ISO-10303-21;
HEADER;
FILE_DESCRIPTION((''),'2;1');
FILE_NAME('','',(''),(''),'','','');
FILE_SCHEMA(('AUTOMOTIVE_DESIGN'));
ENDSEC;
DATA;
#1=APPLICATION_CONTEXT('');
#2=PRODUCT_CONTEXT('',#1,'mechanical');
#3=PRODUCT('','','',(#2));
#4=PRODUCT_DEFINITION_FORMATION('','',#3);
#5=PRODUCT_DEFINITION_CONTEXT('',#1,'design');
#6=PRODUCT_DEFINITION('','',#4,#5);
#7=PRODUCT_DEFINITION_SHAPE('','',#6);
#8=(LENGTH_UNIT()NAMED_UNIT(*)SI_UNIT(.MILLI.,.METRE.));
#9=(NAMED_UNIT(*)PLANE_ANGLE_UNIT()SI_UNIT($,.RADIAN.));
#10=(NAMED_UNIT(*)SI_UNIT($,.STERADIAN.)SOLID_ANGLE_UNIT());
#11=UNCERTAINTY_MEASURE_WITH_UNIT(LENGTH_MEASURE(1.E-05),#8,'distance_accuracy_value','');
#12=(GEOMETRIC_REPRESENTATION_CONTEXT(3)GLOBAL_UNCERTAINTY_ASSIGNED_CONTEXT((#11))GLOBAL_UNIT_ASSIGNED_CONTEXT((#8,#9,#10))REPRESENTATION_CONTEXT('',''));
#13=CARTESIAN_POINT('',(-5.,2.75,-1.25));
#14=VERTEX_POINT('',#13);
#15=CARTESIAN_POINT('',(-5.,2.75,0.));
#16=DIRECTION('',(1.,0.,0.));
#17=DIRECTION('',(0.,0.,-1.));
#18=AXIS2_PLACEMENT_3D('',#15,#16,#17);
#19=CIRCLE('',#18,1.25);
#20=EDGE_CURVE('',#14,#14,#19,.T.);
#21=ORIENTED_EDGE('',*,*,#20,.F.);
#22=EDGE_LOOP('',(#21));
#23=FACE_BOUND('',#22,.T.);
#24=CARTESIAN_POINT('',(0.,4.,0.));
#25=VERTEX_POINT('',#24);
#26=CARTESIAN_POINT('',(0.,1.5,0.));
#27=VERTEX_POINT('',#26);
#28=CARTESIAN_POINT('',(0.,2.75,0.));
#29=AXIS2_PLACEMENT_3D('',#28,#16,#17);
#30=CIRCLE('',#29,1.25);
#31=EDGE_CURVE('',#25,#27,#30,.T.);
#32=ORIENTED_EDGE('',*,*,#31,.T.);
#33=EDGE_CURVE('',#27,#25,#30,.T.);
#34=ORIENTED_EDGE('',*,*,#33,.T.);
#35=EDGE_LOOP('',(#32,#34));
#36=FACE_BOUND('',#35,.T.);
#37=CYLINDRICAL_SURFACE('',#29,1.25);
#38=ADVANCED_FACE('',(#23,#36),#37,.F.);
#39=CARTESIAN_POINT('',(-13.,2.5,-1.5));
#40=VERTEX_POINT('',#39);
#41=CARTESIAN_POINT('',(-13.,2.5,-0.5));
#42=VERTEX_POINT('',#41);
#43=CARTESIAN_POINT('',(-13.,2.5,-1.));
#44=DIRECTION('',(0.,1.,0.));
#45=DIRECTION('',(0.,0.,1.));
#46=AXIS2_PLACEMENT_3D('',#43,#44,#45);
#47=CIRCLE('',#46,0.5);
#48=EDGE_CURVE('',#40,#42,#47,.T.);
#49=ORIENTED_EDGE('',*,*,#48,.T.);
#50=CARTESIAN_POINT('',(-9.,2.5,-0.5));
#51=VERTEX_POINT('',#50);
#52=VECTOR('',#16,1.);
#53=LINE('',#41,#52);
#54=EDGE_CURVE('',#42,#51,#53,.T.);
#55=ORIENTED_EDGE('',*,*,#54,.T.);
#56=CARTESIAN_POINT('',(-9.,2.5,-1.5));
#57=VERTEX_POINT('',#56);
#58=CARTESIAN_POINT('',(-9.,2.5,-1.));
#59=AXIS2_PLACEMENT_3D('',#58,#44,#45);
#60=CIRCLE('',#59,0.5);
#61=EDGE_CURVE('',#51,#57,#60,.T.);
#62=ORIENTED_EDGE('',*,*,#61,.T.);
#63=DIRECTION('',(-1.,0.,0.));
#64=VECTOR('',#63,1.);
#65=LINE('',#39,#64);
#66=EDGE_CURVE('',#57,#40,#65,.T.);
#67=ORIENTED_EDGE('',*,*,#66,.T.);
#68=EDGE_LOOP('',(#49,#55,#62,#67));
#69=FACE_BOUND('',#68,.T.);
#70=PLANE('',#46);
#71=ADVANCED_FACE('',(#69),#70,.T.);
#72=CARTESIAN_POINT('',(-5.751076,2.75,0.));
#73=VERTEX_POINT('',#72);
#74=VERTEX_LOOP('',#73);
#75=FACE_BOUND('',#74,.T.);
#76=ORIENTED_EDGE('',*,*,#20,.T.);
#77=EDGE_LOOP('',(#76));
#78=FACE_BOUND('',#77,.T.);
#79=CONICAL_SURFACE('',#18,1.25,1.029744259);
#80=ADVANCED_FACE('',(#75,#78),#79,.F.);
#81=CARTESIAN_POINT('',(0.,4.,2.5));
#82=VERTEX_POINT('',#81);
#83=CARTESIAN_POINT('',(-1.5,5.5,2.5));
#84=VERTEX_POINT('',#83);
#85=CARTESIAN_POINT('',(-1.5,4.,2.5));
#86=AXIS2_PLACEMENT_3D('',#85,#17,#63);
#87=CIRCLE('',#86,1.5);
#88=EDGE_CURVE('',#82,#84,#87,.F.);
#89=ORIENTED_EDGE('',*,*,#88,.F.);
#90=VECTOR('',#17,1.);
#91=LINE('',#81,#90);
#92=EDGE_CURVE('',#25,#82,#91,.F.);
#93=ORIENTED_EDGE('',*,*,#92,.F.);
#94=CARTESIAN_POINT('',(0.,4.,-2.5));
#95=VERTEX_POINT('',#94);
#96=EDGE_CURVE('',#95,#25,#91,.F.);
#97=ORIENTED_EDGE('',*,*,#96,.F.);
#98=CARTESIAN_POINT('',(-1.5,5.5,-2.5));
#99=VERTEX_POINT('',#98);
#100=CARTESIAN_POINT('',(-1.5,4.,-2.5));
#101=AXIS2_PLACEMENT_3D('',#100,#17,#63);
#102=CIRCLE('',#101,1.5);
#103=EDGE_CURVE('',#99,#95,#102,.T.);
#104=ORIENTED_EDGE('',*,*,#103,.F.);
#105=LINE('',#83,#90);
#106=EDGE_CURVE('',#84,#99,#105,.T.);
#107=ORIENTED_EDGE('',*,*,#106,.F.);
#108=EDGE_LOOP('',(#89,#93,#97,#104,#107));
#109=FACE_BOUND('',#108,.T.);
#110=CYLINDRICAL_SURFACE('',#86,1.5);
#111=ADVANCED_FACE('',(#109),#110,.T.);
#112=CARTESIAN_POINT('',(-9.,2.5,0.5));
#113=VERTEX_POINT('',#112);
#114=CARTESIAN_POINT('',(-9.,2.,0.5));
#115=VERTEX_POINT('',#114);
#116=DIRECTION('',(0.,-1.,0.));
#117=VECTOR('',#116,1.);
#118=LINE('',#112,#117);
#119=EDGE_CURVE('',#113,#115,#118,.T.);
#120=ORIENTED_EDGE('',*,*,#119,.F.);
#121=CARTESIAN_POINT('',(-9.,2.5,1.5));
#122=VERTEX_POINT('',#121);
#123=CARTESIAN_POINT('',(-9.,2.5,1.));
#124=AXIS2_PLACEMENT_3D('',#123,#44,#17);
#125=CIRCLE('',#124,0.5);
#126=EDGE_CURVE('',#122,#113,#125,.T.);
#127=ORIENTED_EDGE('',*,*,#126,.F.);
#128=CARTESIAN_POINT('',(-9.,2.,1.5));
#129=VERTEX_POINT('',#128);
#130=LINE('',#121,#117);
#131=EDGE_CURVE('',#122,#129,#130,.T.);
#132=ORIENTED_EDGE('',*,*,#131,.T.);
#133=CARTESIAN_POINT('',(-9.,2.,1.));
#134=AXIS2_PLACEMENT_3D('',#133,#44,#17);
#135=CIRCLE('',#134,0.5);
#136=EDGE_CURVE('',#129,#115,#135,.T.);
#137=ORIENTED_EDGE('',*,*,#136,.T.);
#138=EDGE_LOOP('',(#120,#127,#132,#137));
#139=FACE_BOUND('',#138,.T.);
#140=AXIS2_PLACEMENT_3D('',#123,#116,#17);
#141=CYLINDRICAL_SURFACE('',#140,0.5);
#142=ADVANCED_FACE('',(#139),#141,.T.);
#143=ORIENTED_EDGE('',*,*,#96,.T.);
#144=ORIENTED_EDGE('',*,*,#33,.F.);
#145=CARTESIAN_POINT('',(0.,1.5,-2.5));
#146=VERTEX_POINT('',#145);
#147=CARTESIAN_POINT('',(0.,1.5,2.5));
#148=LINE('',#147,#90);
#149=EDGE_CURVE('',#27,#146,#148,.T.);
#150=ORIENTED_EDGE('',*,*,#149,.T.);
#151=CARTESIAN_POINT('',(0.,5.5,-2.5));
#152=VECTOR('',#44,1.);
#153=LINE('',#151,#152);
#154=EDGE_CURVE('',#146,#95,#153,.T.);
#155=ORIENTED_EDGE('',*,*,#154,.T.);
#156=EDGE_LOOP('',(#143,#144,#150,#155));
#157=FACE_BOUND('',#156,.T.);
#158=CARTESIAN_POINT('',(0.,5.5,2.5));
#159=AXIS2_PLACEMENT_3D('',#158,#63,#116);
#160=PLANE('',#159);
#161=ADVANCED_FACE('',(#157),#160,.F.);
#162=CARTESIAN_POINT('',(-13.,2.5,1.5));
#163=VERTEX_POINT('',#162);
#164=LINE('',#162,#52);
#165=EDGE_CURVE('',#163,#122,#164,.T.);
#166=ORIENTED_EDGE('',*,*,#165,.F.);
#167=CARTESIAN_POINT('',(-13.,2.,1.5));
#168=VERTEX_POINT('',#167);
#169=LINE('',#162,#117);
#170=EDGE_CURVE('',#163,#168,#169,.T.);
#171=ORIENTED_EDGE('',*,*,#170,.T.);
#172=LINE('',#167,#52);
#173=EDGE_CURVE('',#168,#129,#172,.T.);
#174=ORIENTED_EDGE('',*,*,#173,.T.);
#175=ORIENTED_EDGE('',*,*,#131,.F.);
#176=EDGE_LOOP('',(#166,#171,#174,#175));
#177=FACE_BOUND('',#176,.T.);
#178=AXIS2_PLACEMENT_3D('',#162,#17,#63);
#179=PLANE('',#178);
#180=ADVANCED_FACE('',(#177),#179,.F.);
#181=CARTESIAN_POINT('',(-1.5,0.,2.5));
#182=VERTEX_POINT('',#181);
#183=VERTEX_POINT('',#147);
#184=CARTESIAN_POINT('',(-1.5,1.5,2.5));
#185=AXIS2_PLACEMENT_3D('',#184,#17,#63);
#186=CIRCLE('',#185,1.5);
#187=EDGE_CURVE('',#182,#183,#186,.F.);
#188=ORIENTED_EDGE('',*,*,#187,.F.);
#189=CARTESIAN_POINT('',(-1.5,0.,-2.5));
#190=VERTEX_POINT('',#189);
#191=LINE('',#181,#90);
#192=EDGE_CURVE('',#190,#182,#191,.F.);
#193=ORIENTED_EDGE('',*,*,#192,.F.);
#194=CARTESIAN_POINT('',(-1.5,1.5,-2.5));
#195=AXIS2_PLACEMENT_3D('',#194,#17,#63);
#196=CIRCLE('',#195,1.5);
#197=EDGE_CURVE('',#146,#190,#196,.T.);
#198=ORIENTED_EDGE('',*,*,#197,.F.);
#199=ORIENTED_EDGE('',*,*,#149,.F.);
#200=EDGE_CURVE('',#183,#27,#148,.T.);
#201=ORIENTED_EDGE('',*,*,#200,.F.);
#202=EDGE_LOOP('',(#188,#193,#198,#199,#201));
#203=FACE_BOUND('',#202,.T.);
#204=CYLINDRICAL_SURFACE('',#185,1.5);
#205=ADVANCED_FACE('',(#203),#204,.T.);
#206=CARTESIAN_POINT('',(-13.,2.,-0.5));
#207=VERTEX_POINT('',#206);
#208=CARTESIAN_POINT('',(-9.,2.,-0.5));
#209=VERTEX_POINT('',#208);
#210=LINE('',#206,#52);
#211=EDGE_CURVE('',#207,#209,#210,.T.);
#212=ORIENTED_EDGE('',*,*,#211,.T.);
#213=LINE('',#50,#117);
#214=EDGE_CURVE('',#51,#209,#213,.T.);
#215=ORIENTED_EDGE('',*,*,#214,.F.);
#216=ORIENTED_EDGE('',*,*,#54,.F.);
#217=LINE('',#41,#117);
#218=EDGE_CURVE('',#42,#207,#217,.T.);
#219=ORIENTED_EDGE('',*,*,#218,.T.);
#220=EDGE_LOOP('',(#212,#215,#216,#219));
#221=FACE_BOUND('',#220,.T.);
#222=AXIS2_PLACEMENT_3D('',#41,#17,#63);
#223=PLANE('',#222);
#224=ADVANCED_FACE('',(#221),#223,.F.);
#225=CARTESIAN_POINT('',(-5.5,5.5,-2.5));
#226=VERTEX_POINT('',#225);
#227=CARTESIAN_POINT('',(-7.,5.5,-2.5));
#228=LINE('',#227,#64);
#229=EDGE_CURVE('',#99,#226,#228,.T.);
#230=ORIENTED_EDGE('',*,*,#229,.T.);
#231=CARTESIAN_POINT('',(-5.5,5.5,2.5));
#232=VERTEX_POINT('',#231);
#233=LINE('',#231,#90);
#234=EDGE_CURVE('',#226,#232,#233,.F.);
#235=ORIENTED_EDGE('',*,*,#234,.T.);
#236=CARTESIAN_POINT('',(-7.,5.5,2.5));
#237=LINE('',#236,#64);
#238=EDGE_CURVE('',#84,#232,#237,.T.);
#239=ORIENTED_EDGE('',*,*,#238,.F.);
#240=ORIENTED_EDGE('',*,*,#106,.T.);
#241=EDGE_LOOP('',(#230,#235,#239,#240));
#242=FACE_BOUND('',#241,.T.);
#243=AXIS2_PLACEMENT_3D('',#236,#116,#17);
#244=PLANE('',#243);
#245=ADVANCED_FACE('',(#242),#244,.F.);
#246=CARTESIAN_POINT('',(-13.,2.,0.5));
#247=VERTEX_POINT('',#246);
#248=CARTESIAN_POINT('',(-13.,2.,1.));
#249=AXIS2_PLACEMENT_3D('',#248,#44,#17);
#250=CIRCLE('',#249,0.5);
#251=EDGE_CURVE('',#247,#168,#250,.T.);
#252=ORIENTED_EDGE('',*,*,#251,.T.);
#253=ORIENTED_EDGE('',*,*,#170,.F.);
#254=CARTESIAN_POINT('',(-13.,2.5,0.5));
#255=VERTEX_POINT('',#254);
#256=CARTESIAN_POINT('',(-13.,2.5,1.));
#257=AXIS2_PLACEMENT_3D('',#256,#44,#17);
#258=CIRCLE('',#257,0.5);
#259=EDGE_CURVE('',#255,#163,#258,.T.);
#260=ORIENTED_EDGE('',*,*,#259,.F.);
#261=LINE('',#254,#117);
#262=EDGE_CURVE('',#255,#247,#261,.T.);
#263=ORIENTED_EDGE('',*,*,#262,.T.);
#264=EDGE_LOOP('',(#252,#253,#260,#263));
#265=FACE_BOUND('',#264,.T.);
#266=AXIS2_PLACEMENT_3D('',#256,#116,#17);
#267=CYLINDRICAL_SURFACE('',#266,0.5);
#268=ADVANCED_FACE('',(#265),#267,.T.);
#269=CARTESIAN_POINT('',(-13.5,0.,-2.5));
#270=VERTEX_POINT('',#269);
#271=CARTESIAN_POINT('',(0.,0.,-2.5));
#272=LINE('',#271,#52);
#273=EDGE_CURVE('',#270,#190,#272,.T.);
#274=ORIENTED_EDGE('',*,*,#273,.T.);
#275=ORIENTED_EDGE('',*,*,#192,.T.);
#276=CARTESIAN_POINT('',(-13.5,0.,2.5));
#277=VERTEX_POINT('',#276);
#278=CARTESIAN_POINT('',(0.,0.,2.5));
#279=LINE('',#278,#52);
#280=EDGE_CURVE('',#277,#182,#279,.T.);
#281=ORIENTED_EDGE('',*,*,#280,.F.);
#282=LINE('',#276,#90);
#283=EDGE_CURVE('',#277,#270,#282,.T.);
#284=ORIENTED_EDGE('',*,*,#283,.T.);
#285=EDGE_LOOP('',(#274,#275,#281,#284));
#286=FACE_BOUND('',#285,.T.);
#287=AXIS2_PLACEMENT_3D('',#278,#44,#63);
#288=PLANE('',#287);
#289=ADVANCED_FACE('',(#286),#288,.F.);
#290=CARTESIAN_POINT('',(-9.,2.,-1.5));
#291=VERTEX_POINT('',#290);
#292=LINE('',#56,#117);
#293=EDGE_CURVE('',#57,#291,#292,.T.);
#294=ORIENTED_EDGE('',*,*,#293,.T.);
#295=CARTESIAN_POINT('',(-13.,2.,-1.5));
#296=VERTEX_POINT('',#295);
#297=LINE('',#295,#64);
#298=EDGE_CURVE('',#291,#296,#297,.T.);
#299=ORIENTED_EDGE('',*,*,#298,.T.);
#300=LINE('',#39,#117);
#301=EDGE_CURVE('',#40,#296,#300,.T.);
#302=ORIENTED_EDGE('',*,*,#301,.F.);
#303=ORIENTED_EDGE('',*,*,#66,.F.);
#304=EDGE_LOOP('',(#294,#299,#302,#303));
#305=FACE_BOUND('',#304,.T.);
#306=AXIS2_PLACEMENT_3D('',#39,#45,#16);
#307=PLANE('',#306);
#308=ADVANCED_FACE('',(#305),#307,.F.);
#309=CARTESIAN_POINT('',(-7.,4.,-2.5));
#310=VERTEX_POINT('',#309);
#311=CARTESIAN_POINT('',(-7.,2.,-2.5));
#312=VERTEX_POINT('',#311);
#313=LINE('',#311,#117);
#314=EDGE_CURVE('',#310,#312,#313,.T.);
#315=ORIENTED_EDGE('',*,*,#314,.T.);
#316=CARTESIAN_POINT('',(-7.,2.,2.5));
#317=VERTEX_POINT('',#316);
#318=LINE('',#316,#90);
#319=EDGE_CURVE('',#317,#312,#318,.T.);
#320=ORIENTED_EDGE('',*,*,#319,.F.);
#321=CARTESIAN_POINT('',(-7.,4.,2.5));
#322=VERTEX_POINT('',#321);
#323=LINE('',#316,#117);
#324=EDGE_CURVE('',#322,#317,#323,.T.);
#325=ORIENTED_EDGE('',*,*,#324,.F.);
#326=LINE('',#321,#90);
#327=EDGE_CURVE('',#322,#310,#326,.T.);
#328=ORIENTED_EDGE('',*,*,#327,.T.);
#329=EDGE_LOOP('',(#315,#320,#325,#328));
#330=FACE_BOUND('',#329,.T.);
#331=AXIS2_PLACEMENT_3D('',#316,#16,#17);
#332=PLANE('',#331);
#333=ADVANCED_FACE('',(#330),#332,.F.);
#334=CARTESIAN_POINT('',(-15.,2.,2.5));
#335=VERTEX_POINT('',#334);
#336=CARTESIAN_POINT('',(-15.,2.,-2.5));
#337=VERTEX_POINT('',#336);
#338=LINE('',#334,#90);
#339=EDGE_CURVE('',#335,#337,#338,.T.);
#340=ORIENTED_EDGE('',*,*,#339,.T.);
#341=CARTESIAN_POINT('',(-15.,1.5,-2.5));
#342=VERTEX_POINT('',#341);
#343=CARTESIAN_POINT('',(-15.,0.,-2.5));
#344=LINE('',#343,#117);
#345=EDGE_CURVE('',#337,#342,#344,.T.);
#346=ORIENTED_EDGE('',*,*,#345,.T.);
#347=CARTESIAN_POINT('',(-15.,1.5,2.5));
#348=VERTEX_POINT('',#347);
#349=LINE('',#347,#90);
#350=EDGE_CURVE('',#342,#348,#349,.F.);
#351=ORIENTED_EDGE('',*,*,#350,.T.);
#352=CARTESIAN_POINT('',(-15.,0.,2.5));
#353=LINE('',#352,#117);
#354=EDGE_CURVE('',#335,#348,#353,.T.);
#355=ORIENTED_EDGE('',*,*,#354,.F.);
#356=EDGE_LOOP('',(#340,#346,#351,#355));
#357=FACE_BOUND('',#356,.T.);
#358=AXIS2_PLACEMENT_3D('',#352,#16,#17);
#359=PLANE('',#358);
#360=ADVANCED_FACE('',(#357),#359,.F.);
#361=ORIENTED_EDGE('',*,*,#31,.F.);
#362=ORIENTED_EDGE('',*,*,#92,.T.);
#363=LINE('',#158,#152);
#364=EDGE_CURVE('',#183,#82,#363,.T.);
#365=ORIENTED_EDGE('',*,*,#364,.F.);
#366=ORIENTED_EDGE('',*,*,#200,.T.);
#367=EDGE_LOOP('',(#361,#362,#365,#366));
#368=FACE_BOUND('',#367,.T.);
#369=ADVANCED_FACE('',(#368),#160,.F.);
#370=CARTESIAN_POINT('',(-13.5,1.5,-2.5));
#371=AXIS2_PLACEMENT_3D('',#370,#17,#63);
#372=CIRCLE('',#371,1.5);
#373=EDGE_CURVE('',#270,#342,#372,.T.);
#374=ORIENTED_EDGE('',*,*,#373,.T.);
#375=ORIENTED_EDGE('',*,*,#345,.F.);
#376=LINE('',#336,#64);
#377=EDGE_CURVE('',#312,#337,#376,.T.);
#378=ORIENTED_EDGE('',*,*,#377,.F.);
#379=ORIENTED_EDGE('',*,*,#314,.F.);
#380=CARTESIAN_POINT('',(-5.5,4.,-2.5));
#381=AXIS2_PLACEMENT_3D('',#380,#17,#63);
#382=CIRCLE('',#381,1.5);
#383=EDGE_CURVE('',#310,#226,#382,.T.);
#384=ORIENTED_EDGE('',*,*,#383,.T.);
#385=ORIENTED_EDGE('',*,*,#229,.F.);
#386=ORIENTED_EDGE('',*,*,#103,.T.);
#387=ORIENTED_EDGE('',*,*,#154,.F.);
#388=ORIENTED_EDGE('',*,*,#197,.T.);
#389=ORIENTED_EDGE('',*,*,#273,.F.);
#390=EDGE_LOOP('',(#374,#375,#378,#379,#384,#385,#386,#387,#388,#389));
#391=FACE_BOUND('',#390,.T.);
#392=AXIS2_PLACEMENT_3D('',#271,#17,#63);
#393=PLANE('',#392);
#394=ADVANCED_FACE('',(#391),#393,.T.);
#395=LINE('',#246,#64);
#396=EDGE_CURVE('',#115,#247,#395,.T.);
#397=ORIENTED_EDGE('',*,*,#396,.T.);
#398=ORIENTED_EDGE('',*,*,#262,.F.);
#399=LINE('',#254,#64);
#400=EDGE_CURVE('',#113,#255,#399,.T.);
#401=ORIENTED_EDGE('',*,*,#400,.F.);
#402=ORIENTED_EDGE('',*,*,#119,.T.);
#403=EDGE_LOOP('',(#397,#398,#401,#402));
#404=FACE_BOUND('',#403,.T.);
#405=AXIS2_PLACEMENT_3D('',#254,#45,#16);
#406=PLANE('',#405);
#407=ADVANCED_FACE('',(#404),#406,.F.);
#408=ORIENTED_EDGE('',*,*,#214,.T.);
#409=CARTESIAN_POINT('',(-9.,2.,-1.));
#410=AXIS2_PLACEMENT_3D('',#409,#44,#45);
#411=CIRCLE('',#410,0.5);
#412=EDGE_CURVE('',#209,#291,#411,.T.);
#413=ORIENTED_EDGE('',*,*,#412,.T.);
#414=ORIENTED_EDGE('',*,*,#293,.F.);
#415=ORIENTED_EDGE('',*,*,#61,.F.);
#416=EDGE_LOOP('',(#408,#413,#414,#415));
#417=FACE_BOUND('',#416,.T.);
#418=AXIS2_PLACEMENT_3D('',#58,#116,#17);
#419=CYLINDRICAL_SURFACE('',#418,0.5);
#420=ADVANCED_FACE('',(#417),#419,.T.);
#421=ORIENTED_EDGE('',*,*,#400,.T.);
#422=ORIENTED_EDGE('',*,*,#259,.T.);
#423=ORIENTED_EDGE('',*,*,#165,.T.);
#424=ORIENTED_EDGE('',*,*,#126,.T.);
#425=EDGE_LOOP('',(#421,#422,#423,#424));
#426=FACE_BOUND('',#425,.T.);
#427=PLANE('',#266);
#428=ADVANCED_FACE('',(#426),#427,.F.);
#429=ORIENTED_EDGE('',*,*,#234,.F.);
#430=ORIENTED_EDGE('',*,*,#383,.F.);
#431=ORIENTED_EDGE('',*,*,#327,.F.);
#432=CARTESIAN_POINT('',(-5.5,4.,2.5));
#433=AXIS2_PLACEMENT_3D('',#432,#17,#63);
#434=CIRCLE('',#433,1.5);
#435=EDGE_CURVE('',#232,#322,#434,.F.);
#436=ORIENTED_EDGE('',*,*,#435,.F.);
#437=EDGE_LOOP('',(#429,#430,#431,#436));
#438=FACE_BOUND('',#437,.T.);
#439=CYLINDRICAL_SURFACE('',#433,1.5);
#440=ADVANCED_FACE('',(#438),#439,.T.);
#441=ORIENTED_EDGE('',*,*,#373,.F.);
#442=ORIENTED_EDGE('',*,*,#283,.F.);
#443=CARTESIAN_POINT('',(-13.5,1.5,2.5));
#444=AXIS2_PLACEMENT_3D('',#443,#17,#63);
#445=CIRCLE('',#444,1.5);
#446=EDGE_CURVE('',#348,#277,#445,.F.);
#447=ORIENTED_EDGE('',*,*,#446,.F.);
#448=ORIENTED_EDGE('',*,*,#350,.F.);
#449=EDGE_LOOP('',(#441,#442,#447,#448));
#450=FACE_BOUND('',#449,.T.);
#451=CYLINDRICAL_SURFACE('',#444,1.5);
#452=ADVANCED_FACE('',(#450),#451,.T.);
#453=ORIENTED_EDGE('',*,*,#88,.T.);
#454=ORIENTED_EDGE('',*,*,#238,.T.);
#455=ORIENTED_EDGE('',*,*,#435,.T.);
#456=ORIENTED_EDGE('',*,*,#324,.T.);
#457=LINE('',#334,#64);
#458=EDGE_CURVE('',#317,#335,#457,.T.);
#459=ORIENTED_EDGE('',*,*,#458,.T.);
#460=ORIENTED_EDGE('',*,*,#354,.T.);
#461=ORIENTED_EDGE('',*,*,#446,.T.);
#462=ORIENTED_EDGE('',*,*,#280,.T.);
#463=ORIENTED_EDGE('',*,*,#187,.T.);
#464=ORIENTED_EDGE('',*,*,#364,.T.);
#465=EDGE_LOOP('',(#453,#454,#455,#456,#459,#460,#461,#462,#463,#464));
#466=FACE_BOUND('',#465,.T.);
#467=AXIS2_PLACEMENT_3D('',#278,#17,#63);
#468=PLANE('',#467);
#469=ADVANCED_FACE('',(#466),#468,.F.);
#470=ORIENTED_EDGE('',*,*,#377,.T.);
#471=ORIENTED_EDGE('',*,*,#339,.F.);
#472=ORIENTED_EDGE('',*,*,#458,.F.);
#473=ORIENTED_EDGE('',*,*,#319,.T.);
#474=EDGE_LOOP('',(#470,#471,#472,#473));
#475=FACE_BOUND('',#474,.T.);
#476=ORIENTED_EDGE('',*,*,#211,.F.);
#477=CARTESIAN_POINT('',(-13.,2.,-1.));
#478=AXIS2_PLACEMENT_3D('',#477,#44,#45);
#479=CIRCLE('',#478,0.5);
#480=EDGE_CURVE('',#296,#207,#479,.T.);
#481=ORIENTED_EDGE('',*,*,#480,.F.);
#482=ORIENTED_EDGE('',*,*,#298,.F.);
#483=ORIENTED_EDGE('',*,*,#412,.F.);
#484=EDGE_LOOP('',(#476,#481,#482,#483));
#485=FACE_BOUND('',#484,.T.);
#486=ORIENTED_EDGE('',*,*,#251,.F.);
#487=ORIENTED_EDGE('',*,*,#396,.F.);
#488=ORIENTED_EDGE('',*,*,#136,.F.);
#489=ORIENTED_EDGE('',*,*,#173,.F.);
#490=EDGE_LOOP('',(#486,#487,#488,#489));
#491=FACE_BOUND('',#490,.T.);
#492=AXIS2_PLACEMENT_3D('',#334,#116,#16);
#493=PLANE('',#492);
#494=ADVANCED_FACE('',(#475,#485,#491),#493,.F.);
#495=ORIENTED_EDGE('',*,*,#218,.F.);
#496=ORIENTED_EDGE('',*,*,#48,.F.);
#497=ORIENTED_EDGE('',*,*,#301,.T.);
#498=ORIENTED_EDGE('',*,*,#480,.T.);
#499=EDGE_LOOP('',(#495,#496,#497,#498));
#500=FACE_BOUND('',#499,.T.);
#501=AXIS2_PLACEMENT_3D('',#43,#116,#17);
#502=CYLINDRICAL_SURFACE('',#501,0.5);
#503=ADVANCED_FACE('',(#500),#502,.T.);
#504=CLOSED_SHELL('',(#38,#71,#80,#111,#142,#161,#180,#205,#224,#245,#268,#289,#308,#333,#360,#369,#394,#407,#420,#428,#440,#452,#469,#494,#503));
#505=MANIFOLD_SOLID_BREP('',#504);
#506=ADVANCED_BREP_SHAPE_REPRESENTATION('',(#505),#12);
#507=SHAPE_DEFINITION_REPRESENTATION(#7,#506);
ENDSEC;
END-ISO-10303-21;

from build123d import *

# Parameters (mm, degrees)
EXTRUDE_1_DEPTH        = 2.5
FILLET_1_R             = 1.5
HOLE_WIZARD_M3_1_D     = 2.5
HOLE_WIZARD_M3_1_DEPTH = 5
HOLE_WIZARD_M3_1_TIP   = 0.751075774
EXTRUDE_2_DEPTH        = 0.5


with BuildPart() as part:
    # 스케치1 → 보스-돌출1 (new body, symmetric)
    with BuildSketch(Plane.XY):
        Polygon((0, 0), (-15, 0), (-15, 2), (-7, 2), (-7, 5.5), (0, 5.5), align=None)
    extrude(amount=EXTRUDE_1_DEPTH, both=True)

    # 필렛1
    fillet_1_edges = [part.edges().sort_by_distance(p)[0] for p in [
        (0, 0, 0),
        (-15, 0, 0),
        (-7, 5.5, 0),
        (0, 5.5, 0),
    ]]
    fillet(fillet_1_edges, radius=FILLET_1_R)

    # M3 나사 구멍1
    with Locations(Plane(origin=(0, 0, 0), x_dir=(0, 0, -1), z_dir=(1, 0, 0))):
        with Locations((0, 2.75)):
            Hole(HOLE_WIZARD_M3_1_D / 2, depth=HOLE_WIZARD_M3_1_DEPTH)
            with Locations((0, 0, -(HOLE_WIZARD_M3_1_DEPTH + HOLE_WIZARD_M3_1_TIP / 2))):  # 118° drill point
                Cone(0, HOLE_WIZARD_M3_1_D / 2, HOLE_WIZARD_M3_1_TIP, mode=Mode.SUBTRACT)

    # 스케치4 → 보스-돌출2 (add)
    with BuildSketch(Plane(origin=(0, 2, 0), x_dir=(1, 0, 0), z_dir=(0, 1, 0))):
        with BuildLine():
            Line((-13, 1.5), (-9, 1.5))
            ThreePointArc((-9, 1.5), (-8.5, 1), (-9, 0.5))
            Line((-9, 0.5), (-13, 0.5))
            ThreePointArc((-13, 0.5), (-13.5, 1), (-13, 1.5))
        make_face()
        with BuildLine():
            Line((-13, -1.5), (-9, -1.5))
            ThreePointArc((-9, -1.5), (-8.5, -1), (-9, -0.5))
            Line((-9, -0.5), (-13, -0.5))
            ThreePointArc((-13, -0.5), (-13.5, -1), (-13, -1.5))
        make_face()
    extrude(amount=EXTRUDE_2_DEPTH)


solid = part.part
